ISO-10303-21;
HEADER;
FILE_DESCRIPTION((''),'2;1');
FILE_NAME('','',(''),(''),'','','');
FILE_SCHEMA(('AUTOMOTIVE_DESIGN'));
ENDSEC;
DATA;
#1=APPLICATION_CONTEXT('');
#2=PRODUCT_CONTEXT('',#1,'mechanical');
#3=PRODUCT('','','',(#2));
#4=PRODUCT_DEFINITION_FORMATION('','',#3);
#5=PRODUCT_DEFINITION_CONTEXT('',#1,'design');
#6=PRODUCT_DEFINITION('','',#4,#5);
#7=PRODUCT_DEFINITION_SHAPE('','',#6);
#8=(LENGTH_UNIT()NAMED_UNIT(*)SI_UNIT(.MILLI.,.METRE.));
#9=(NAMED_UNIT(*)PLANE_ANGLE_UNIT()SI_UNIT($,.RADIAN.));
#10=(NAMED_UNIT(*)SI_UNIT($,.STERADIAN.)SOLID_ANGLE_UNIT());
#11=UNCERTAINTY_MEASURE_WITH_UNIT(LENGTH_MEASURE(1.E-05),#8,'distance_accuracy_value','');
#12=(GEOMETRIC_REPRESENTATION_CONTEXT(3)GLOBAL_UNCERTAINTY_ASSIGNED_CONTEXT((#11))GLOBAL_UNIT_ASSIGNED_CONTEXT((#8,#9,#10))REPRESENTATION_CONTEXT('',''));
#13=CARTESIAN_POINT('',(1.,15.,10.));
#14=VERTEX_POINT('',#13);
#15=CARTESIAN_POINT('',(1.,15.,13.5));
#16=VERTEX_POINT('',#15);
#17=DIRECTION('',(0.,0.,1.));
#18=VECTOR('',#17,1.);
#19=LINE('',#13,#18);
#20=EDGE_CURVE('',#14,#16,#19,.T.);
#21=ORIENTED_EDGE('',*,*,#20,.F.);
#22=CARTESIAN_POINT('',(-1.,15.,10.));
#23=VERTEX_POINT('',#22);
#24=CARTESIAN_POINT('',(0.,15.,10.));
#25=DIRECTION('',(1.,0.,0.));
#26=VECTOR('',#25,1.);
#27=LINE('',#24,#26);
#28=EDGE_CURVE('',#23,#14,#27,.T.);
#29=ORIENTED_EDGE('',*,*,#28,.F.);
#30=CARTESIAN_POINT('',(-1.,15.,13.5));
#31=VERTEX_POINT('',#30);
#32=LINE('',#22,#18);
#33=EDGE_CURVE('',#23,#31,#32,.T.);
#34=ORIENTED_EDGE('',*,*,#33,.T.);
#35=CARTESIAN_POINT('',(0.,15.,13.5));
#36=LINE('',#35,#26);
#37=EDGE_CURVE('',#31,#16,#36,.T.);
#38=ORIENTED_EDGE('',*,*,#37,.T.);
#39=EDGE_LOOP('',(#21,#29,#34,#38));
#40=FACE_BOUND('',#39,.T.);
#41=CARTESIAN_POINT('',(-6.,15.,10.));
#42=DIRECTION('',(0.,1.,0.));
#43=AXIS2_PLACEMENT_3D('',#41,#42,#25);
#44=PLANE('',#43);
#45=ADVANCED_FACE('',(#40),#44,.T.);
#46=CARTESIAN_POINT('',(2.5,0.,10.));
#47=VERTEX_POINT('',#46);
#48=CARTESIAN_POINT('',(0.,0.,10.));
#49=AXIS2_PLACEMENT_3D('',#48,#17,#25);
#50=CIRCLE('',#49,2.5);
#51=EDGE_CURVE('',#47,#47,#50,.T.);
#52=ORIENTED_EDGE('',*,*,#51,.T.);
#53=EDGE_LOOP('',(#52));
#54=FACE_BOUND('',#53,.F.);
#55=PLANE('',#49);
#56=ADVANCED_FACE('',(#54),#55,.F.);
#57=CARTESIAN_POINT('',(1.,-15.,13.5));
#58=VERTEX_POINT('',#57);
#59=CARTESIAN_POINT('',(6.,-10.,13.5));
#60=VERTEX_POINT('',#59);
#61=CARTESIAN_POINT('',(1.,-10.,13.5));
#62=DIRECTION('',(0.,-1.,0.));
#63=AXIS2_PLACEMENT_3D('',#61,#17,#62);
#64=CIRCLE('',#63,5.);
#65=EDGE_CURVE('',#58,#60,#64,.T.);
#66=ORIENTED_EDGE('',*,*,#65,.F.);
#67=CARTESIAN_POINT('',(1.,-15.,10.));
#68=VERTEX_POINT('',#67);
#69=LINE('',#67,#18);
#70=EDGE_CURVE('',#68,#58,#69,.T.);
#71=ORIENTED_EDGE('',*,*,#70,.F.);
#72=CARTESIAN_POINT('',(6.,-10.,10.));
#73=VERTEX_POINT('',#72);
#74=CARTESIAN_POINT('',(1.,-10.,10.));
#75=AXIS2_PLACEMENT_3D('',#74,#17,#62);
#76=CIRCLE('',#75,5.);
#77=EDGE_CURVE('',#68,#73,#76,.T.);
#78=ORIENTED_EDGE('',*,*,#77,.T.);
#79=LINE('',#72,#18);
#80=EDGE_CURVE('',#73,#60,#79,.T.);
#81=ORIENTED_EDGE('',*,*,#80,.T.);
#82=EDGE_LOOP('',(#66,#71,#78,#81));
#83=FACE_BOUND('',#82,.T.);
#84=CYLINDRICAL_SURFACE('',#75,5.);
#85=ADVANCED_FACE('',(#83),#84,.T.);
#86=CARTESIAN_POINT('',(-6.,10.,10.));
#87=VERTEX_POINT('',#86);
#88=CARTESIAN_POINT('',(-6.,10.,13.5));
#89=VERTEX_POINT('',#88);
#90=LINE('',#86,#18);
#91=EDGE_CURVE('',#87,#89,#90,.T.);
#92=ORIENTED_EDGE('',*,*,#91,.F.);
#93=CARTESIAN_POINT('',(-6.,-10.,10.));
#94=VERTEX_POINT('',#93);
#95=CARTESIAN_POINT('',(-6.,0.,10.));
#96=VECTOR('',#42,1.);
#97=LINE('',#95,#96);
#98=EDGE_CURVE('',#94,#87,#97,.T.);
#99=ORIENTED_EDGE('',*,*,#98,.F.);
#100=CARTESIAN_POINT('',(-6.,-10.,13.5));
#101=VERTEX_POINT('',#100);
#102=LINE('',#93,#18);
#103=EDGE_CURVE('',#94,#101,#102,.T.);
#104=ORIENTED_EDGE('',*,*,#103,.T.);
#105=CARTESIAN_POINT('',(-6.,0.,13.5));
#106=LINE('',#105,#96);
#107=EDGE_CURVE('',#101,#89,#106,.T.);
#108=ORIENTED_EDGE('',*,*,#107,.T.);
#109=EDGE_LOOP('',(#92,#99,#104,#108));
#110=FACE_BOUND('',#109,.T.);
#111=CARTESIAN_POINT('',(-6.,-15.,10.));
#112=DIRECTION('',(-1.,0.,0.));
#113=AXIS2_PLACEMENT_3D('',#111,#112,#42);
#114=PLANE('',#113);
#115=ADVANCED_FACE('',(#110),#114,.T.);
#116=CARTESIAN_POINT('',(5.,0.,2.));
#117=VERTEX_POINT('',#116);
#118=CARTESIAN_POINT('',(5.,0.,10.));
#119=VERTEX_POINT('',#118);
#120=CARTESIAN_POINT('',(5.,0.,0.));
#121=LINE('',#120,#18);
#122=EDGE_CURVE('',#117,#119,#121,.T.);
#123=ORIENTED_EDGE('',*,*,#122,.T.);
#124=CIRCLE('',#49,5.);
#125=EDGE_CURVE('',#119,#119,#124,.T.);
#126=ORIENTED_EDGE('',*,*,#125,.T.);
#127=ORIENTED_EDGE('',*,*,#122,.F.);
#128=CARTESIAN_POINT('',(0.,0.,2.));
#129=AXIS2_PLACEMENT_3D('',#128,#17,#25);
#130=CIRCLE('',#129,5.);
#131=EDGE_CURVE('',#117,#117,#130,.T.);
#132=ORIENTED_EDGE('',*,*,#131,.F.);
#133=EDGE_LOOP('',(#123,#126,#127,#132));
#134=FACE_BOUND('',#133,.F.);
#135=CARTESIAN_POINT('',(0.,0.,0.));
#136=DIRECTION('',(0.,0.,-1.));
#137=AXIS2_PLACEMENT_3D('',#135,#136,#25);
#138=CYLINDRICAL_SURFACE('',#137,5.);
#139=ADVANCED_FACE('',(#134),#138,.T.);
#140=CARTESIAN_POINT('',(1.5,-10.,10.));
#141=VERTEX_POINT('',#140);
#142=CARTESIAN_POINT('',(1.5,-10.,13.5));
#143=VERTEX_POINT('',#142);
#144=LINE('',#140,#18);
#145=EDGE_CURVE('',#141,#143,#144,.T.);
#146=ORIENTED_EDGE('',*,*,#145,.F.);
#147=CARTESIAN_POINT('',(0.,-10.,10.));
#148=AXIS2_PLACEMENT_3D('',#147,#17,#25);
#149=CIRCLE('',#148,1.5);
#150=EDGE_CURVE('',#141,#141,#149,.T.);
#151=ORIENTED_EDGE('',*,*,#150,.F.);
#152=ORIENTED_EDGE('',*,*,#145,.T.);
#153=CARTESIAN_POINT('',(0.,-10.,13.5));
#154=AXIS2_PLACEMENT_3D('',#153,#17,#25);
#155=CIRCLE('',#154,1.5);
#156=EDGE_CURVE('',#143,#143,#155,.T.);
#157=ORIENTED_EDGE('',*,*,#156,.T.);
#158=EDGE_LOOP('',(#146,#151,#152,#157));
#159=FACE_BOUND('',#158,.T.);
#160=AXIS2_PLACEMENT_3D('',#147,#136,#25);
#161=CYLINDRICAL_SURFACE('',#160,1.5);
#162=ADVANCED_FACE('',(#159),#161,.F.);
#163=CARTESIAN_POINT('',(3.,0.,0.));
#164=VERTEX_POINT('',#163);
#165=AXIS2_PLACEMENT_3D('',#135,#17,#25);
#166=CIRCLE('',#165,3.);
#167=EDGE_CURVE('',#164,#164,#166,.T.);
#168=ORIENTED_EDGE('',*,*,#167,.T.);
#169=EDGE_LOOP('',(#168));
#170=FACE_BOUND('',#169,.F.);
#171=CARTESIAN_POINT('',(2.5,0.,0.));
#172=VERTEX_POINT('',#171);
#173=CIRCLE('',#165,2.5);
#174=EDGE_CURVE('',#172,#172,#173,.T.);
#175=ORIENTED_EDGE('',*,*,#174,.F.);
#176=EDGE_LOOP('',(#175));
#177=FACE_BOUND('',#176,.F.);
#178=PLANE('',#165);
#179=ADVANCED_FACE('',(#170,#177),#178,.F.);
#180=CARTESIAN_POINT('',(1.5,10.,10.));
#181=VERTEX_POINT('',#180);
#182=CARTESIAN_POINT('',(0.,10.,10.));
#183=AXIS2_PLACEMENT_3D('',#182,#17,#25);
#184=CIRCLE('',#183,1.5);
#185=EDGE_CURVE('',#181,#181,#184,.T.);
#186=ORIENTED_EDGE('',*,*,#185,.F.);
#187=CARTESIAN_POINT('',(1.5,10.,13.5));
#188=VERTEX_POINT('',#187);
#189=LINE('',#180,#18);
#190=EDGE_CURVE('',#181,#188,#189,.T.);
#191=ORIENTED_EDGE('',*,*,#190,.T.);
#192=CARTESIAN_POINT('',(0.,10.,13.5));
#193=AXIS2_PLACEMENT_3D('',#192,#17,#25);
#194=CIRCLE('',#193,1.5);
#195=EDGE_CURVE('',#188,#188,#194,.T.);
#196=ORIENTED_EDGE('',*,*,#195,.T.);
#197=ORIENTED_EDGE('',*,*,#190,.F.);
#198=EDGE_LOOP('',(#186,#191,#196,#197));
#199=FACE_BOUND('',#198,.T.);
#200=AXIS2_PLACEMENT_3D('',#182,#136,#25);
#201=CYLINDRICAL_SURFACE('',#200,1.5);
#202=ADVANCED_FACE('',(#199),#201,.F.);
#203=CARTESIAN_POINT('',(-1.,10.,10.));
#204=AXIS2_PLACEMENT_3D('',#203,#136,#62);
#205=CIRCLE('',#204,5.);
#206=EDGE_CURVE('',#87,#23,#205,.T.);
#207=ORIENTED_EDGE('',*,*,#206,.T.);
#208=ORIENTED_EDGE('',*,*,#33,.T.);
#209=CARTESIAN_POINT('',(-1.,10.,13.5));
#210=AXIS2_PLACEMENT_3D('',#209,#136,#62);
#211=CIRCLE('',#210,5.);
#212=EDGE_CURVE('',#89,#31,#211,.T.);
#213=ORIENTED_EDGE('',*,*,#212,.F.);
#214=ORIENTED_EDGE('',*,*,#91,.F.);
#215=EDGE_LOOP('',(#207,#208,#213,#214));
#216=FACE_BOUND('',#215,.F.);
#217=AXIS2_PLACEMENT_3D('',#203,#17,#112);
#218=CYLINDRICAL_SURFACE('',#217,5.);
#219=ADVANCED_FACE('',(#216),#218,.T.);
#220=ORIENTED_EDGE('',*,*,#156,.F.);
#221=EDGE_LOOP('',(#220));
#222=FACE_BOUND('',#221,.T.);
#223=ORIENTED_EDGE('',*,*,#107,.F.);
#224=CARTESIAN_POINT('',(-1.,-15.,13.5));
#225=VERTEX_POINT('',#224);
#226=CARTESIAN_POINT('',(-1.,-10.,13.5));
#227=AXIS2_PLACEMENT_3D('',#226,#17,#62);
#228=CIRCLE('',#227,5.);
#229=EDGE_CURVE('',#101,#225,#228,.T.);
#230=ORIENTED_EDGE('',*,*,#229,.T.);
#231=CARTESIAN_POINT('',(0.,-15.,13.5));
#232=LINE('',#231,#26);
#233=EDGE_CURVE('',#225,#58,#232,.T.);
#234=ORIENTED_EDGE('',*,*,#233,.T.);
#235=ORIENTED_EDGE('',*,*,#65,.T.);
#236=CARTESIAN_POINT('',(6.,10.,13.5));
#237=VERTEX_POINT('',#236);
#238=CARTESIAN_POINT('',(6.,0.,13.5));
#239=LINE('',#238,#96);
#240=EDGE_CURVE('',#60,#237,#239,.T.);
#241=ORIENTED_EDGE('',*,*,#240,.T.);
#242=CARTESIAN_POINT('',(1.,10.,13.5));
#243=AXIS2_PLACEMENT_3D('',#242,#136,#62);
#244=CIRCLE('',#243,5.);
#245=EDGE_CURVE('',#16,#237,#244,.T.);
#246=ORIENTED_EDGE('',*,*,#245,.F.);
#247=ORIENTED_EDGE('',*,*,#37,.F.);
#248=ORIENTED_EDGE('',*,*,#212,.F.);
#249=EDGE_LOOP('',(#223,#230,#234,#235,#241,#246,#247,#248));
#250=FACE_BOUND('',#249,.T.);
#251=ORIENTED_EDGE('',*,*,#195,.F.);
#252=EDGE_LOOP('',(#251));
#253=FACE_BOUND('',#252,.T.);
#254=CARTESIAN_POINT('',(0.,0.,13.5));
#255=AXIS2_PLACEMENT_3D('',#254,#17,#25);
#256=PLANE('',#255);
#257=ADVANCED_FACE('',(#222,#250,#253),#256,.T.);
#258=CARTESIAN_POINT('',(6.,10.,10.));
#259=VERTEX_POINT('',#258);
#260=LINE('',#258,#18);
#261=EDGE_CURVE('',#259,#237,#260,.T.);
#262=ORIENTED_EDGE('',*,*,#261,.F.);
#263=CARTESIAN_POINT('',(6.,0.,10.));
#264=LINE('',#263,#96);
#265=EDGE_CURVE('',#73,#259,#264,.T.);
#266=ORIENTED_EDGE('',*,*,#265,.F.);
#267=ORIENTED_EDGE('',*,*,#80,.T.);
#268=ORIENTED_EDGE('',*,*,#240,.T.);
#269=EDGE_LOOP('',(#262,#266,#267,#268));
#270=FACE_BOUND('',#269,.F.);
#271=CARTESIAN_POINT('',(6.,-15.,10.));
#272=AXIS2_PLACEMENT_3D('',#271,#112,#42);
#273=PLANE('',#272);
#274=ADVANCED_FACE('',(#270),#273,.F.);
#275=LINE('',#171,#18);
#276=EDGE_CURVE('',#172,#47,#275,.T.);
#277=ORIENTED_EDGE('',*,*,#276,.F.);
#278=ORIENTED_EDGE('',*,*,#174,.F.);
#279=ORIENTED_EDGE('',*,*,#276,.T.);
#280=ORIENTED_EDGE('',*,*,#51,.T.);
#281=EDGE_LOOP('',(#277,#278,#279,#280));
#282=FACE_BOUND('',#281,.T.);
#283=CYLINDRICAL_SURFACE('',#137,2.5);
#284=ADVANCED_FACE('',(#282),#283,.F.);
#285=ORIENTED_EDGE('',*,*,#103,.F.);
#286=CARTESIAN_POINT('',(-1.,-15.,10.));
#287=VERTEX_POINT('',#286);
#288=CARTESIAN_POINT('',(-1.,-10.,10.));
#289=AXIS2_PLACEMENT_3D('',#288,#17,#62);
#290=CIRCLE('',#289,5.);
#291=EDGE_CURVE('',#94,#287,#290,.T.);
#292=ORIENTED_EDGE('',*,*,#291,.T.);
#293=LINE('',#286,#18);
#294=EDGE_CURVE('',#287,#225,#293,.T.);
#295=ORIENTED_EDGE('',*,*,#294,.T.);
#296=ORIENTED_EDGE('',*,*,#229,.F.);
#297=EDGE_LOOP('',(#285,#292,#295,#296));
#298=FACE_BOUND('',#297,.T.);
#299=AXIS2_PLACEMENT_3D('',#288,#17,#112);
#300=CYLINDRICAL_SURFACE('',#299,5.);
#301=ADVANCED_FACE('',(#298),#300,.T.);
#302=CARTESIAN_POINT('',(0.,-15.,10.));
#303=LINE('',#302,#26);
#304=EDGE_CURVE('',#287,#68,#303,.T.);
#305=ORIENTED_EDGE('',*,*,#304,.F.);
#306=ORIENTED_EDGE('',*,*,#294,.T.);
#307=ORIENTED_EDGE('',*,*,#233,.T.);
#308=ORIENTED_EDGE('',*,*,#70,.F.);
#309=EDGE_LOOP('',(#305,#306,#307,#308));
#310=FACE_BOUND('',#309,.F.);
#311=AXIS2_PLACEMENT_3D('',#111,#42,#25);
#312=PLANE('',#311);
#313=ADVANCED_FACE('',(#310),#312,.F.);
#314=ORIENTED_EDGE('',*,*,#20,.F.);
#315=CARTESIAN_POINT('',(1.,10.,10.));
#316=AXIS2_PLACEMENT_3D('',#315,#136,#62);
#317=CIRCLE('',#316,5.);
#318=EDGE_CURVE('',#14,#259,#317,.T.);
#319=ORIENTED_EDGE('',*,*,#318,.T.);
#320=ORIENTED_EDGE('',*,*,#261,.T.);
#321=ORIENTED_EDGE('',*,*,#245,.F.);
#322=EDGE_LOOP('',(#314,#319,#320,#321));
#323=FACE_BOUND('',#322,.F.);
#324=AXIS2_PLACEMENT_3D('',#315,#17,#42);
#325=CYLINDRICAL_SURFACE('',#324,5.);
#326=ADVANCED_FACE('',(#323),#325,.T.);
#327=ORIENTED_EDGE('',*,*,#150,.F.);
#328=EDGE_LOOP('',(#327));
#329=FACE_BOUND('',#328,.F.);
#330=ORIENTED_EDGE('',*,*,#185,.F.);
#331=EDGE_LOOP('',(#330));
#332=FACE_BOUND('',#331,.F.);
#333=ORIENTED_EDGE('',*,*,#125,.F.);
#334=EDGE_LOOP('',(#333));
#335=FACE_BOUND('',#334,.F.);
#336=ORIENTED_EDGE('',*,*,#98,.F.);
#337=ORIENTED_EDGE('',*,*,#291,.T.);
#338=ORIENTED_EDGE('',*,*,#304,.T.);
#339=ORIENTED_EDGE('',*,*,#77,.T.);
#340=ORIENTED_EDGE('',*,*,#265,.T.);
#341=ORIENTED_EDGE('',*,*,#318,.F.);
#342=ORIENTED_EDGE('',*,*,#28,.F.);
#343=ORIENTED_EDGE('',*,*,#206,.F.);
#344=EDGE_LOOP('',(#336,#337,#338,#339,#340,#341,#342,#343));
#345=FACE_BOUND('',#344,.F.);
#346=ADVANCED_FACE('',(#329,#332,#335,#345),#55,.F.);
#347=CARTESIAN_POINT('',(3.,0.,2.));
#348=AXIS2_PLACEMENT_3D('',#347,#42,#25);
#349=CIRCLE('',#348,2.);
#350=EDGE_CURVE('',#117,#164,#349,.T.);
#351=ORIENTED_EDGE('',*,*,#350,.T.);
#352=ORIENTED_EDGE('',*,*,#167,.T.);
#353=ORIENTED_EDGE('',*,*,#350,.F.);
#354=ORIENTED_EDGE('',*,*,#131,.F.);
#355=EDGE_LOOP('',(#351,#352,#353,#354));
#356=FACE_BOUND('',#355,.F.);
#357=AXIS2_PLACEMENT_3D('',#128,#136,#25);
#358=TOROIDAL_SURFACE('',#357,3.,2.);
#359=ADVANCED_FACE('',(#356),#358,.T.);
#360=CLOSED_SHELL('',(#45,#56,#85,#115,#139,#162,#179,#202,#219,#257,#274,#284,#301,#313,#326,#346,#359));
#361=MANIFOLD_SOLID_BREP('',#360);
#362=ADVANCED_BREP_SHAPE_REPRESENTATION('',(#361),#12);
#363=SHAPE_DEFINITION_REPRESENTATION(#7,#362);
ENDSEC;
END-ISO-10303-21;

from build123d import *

# Parameters (mm, degrees)
F0_R     = 5
F0_R_2   = 2.5
F1_DEPTH = 10
F2_W     = 12
F2_H     = 30
F2_R     = 1.5
F3_DEPTH = 3.5
F4_R     = 5
F5_R     = 2


with BuildPart() as f1:
    # F0 (on Top) → F1 (new body)
    with BuildSketch(Plane.XY):
        Circle(F0_R)
        Circle(F0_R_2, mode=Mode.SUBTRACT)
    extrude(amount=F1_DEPTH)

    # F2 (on face) → F3 (join)
    with BuildSketch(Plane.XY.offset(10)):
        Rectangle(F2_W, F2_H)
        with Locations((0, -10)):
            Circle(F2_R, mode=Mode.SUBTRACT)
        with Locations((0, 10)):
            Circle(F2_R, mode=Mode.SUBTRACT)
    extrude(amount=F3_DEPTH)

    # F4
    f4_edges = [f1.edges().sort_by_distance(p)[0] for p in [
        (6, 15, 11.75),
        (-6, 15, 11.75),
        (-6, -15, 11.75),
        (6, -15, 11.75),
    ]]
    fillet(f4_edges, radius=F4_R)

    # F5
    f5_edges = [f1.edges().sort_by_distance(p)[0] for p in [
        (-5, 0, 0),
    ]]
    fillet(f5_edges, radius=F5_R)


solid = f1.part
